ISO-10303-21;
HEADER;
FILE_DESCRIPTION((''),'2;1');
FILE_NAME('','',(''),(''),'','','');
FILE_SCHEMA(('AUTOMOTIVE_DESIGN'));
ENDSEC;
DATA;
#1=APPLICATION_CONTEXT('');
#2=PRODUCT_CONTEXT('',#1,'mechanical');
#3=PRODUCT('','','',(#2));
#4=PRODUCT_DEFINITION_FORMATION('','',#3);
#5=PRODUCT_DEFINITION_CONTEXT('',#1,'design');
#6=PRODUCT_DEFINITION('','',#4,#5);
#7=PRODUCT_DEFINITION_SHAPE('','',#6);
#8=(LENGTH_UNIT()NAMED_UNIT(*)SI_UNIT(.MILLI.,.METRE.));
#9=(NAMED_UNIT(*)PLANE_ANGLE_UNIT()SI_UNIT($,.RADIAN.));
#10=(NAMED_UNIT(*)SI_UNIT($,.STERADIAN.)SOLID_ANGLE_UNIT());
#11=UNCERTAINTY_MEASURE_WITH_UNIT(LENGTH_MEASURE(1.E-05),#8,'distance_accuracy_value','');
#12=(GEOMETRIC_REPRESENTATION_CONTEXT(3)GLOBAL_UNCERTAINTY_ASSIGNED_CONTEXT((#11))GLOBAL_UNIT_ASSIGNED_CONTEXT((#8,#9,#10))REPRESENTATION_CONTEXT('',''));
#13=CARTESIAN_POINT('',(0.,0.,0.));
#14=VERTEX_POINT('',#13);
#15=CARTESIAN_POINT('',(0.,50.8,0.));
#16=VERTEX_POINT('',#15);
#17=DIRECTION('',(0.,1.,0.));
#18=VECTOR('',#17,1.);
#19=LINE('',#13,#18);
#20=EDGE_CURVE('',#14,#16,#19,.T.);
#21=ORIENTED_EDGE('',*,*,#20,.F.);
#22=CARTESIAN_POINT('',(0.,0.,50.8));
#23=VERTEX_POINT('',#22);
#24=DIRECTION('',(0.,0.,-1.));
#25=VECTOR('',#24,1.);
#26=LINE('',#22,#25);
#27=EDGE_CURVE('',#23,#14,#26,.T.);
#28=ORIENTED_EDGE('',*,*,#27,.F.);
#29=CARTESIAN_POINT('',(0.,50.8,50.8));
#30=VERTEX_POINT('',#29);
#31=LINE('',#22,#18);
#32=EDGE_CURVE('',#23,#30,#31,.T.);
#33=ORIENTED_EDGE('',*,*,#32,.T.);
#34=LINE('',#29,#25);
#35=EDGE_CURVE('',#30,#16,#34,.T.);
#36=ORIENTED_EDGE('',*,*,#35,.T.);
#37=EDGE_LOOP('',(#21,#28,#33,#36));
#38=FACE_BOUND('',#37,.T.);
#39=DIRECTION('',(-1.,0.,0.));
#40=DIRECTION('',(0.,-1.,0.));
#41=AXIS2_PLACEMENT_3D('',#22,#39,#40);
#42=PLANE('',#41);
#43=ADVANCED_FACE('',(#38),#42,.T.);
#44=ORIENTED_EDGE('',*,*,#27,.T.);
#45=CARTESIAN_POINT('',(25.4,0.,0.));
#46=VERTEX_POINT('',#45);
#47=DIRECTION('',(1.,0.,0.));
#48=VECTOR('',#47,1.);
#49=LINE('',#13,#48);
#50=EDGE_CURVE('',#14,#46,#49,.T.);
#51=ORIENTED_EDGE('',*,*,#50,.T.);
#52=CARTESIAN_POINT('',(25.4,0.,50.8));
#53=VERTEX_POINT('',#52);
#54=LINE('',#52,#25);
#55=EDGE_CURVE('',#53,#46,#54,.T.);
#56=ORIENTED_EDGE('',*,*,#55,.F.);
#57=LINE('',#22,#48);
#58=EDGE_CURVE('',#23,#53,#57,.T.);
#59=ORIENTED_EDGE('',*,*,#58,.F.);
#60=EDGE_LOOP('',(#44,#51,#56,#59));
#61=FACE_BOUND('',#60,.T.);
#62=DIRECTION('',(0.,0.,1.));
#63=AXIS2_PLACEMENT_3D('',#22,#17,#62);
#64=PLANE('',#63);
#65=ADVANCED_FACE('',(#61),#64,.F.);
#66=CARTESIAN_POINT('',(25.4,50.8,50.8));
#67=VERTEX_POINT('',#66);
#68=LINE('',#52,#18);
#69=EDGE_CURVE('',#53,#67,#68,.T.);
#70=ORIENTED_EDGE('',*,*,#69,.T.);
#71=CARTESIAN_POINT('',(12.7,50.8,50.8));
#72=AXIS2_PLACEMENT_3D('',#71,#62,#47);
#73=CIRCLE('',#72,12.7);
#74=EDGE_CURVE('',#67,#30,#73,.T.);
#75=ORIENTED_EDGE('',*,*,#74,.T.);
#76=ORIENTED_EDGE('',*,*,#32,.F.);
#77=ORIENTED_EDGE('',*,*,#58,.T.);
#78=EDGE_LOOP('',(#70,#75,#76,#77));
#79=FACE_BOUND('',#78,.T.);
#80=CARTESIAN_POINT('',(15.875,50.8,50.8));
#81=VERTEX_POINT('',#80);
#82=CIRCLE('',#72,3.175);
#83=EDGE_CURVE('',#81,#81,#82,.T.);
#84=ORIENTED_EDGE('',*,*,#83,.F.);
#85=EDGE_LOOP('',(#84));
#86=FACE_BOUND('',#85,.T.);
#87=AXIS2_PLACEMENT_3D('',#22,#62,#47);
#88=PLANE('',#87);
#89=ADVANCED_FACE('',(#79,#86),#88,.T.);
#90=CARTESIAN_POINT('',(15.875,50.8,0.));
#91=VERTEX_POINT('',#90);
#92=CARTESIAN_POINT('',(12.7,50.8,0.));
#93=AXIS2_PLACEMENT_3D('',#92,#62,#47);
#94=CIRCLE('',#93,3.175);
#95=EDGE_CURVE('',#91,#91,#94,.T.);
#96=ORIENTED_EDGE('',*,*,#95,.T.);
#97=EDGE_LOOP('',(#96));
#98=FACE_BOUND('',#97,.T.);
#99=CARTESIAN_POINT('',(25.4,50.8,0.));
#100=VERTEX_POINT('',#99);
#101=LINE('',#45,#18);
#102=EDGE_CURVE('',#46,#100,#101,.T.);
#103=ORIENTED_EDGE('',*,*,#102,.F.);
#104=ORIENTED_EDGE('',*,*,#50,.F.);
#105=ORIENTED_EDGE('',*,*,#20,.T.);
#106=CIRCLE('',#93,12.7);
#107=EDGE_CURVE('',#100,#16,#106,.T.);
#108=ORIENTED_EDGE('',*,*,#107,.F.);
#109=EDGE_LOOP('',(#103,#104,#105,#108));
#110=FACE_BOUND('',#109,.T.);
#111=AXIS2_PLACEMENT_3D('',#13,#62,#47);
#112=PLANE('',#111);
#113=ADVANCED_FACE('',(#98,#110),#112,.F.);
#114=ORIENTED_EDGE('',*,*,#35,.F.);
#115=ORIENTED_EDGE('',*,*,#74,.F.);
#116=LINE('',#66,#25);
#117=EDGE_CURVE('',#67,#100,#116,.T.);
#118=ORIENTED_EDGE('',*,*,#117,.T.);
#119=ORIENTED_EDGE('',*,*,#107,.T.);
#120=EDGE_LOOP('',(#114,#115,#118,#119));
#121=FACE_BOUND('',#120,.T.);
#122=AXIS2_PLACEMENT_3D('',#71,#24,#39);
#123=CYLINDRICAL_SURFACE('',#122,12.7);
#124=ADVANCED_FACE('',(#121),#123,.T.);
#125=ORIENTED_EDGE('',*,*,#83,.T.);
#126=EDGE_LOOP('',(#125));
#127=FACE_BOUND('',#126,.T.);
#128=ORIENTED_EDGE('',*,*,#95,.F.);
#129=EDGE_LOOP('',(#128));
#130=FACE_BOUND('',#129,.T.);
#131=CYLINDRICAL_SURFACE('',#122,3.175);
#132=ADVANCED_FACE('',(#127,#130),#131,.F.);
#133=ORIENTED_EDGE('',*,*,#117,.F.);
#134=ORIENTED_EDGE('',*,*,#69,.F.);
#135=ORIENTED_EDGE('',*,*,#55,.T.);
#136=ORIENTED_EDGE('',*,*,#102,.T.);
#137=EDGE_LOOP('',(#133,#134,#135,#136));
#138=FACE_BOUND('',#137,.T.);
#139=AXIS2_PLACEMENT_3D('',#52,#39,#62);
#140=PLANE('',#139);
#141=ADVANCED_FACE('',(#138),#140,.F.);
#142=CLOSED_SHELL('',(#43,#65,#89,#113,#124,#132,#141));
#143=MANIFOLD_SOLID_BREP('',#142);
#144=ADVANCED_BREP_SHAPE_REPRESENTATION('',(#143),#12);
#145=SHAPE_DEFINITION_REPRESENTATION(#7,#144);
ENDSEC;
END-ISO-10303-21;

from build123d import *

# Parameters (mm, degrees)
BOSS_EXTRUDE1_DEPTH = 50.8


with BuildPart() as part:
    # Sketch1 → Boss-Extrude1 (new body)
    with BuildSketch(Plane.XY):
        with BuildLine():
            ThreePointArc((25.4, 50.8), (12.7, 63.5), (0, 50.8))
            Line((0, 50.8), (9.525, 50.8))
            ThreePointArc((9.525, 50.8), (12.7, 53.975), (15.875, 50.8))
            Line((15.875, 50.8), (25.4, 50.8))
        make_face()
        with BuildLine():
            Line((9.525, 50.8), (0, 50.8))
            ThreePointArc((0, 50.8), (12.7, 38.1), (25.4, 50.8))
            Line((25.4, 50.8), (15.875, 50.8))
            ThreePointArc((15.875, 50.8), (12.7, 47.625), (9.525, 50.8))
        make_face()
        with BuildLine():
            Line((0, 50.8), (0, 0))
            Line((0, 0), (25.4, 0))
            Line((25.4, 0), (25.4, 50.8))
            ThreePointArc((25.4, 50.8), (12.7, 38.1), (0, 50.8))
        make_face()
    extrude(amount=BOSS_EXTRUDE1_DEPTH)


solid = part.part
